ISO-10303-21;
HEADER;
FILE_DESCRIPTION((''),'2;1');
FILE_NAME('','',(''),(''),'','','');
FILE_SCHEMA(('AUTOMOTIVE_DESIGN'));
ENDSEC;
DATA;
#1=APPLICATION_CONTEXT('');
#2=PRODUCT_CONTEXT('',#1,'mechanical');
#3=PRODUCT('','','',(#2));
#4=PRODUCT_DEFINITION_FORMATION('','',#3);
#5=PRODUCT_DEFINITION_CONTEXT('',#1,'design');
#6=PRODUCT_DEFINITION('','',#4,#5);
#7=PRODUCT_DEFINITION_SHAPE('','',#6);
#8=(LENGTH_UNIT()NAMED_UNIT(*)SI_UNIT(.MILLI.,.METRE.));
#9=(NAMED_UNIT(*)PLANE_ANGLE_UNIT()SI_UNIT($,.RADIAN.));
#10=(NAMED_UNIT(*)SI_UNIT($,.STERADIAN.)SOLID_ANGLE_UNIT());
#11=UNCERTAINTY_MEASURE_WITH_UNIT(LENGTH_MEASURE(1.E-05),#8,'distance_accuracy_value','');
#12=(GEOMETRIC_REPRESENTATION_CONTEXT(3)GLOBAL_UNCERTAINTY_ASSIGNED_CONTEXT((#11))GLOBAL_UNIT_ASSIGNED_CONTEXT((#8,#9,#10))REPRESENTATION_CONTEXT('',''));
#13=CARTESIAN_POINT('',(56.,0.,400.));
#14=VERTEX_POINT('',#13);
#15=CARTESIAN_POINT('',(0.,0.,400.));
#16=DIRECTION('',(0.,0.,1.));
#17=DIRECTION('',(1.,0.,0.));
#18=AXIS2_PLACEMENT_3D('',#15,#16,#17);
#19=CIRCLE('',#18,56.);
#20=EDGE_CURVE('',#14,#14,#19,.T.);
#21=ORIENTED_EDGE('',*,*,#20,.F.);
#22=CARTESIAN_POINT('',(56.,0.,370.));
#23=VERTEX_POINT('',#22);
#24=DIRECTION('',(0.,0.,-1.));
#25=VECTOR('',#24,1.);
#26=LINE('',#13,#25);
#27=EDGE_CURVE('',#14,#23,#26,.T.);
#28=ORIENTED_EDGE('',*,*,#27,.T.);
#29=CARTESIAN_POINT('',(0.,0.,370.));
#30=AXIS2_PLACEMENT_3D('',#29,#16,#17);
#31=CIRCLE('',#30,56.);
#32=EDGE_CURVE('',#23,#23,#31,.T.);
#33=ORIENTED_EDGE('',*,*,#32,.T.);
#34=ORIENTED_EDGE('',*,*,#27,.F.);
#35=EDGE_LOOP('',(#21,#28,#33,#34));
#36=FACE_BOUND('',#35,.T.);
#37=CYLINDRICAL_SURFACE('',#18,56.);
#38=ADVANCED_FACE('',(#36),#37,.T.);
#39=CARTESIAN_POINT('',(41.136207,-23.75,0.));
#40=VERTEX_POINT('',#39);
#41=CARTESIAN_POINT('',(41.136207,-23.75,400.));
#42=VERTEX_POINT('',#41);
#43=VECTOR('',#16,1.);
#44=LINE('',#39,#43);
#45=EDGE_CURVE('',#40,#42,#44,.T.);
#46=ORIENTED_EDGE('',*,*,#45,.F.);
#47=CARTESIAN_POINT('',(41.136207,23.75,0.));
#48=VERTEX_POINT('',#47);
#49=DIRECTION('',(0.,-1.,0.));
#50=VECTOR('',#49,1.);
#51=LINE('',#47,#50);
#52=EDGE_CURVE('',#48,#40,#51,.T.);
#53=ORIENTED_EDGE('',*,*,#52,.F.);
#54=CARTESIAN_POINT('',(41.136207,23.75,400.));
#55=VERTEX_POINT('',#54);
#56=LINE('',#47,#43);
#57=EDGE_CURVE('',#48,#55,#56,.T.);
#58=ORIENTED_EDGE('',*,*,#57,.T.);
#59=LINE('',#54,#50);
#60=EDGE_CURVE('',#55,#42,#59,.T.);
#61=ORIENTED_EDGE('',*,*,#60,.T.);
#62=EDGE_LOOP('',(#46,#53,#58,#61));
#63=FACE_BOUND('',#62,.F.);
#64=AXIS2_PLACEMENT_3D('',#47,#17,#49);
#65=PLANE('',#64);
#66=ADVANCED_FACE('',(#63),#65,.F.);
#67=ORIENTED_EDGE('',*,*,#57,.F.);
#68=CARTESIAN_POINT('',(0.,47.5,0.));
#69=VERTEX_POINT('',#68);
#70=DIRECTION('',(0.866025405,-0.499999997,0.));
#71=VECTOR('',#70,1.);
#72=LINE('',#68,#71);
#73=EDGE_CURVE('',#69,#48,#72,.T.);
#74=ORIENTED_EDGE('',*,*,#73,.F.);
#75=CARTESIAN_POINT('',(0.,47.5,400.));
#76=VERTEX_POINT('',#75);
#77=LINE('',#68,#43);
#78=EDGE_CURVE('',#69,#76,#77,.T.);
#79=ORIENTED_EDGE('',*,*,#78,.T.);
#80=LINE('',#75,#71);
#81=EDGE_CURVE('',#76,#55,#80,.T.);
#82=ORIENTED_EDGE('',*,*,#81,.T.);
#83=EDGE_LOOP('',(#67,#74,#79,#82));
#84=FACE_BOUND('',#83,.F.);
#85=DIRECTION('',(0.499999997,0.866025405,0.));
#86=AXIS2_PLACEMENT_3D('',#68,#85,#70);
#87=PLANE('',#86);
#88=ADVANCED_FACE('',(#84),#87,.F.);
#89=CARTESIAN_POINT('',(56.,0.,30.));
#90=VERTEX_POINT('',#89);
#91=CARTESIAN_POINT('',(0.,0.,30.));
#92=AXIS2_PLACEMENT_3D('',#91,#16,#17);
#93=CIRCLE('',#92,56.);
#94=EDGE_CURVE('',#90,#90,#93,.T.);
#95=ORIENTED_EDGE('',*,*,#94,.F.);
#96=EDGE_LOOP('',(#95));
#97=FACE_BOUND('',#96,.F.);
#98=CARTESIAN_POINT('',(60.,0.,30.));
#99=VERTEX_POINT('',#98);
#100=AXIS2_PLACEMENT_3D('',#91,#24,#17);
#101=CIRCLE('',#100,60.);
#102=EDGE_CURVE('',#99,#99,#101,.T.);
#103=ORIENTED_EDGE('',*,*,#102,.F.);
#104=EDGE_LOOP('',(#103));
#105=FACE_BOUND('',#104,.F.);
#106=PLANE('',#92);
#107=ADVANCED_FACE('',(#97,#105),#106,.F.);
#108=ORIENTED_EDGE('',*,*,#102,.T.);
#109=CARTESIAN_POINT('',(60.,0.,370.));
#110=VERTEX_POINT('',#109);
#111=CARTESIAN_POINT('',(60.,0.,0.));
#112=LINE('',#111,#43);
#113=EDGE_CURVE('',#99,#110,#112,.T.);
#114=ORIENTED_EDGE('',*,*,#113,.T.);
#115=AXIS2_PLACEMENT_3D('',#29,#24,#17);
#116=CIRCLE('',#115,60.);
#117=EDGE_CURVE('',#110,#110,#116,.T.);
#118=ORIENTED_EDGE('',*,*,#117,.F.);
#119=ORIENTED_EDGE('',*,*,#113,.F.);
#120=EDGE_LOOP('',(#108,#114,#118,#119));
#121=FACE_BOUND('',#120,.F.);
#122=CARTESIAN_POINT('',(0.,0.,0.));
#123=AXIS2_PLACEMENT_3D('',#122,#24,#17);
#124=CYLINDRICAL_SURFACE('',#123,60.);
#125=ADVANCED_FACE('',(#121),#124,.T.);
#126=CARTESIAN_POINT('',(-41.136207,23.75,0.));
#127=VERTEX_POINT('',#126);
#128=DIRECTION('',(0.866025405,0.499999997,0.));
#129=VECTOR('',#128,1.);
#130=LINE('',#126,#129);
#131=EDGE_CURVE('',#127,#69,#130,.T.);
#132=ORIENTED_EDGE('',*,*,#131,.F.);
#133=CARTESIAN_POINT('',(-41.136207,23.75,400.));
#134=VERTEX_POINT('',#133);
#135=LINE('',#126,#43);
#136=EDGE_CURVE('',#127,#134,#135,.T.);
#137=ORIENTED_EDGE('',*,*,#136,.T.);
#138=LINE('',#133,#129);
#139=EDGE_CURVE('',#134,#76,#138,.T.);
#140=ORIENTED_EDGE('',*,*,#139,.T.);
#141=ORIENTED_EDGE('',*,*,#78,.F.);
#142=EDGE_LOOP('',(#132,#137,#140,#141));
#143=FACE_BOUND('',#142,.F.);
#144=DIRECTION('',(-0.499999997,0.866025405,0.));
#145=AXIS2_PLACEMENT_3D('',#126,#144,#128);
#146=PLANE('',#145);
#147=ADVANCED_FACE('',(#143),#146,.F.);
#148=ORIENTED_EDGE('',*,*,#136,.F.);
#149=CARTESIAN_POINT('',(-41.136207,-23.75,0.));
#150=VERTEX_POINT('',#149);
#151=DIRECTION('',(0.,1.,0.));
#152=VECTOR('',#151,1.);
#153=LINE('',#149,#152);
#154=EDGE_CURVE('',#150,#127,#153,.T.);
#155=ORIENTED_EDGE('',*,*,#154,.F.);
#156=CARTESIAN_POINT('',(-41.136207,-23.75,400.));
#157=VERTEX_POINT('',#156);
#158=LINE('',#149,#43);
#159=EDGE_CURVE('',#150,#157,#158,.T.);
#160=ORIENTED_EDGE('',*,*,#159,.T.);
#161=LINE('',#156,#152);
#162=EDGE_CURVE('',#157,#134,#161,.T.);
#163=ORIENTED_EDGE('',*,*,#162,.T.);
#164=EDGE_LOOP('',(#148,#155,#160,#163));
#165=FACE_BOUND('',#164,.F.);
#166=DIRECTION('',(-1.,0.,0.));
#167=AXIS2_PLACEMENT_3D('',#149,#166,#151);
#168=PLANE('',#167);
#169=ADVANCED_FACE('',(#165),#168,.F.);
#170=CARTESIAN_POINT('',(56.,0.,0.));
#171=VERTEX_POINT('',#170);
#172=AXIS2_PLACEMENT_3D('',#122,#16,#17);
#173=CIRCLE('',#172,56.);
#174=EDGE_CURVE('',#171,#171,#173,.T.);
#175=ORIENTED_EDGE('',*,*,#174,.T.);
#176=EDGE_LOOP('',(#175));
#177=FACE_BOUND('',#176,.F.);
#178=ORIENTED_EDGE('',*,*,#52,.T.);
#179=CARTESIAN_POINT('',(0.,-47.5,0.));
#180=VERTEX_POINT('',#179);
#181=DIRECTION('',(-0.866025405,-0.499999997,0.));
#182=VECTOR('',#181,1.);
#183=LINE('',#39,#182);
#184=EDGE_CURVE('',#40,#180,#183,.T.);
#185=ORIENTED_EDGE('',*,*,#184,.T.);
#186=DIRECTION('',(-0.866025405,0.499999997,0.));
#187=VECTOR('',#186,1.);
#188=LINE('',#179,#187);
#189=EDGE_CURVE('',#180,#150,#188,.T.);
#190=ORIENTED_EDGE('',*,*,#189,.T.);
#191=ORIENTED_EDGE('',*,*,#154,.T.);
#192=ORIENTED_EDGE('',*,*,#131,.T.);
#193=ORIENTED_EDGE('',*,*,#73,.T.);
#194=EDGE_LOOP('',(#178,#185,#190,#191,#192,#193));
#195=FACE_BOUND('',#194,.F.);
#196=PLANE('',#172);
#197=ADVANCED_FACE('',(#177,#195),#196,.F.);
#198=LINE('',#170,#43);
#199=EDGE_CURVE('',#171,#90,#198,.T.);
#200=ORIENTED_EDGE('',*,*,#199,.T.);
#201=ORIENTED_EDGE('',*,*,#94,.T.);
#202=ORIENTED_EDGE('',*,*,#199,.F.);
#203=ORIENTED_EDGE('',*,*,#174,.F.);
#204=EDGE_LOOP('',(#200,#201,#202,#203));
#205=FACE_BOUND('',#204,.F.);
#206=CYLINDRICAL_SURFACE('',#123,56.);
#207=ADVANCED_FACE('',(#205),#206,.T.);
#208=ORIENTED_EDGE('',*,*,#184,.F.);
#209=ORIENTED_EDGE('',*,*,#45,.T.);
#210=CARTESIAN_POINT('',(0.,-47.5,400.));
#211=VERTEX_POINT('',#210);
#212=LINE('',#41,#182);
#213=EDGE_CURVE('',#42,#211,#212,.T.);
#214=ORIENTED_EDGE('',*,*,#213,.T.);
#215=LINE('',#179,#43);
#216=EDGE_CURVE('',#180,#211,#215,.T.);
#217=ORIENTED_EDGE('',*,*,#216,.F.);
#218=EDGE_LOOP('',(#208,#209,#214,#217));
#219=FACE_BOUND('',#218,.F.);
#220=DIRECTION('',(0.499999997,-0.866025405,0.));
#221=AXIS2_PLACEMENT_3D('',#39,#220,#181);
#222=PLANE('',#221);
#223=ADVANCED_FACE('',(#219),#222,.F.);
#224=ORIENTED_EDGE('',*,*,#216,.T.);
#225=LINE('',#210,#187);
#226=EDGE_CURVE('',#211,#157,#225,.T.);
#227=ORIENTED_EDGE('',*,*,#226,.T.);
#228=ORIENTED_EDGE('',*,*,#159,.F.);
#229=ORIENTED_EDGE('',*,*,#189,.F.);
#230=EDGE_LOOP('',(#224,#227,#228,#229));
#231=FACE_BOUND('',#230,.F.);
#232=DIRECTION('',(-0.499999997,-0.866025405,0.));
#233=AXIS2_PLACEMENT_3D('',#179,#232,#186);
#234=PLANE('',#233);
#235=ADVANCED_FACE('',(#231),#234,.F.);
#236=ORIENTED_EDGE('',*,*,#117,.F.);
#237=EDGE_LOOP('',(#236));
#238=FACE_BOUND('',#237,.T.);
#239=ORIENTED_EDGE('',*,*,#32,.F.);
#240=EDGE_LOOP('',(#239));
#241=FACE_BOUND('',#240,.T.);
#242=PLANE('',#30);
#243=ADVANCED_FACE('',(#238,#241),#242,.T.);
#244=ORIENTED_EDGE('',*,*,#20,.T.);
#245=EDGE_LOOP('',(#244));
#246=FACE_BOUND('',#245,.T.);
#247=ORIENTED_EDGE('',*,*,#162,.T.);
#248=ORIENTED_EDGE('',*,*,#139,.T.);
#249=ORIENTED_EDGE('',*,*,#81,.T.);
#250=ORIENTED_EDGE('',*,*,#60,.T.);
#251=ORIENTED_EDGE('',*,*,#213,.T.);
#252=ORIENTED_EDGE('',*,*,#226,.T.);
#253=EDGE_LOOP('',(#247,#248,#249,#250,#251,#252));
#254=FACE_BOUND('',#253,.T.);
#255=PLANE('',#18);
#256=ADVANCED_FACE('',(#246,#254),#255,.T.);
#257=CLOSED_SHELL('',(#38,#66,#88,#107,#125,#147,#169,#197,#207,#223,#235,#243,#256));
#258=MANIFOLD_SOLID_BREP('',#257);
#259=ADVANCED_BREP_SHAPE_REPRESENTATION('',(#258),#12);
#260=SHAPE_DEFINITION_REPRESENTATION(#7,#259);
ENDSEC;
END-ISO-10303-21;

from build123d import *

# Parameters (mm, degrees)
F1_DEPTH = 400
F2_R     = 91.560729
F2_R_2   = 60
F3_DEPTH = 400.001
F4_R     = 159.326425
F4_R_2   = 56
F5_DEPTH = 30
F6_R     = 72.9435
F6_R_2   = 56
F7_DEPTH = 30


with BuildPart() as f1:
    # F0 (on Top) → F1 (new body)
    with BuildSketch(Plane.XY):
        Polygon((62.5, -36.084392), (62.5, 36.084392), (0, 72.168784), (-62.5, 36.084392), (-62.5, -36.084392), (0, -72.168784), align=None)
        Polygon((41.136207, 23.75), (41.136207, -23.75), (0, -47.5), (-41.136207, -23.75), (-41.136207, 23.75), (0, 47.5), align=None, mode=Mode.SUBTRACT)
    extrude(amount=F1_DEPTH)

    # F2 (on Top) → F3 (cut, through all)
    with BuildSketch(Plane.XY):
        Circle(F2_R)
        Circle(F2_R_2, mode=Mode.SUBTRACT)
    extrude(amount=F3_DEPTH, mode=Mode.SUBTRACT)

    # F4 (on Top) → F5 (cut)
    with BuildSketch(Plane.XY):
        Circle(F4_R)
        Circle(F4_R_2, mode=Mode.SUBTRACT)
    extrude(amount=F5_DEPTH, mode=Mode.SUBTRACT)

    # F6 (on face) → F7 (cut)
    with BuildSketch(Plane.XY.offset(400)):
        Circle(F6_R)
        Circle(F6_R_2, mode=Mode.SUBTRACT)
    extrude(amount=-F7_DEPTH, mode=Mode.SUBTRACT)


solid = f1.part
